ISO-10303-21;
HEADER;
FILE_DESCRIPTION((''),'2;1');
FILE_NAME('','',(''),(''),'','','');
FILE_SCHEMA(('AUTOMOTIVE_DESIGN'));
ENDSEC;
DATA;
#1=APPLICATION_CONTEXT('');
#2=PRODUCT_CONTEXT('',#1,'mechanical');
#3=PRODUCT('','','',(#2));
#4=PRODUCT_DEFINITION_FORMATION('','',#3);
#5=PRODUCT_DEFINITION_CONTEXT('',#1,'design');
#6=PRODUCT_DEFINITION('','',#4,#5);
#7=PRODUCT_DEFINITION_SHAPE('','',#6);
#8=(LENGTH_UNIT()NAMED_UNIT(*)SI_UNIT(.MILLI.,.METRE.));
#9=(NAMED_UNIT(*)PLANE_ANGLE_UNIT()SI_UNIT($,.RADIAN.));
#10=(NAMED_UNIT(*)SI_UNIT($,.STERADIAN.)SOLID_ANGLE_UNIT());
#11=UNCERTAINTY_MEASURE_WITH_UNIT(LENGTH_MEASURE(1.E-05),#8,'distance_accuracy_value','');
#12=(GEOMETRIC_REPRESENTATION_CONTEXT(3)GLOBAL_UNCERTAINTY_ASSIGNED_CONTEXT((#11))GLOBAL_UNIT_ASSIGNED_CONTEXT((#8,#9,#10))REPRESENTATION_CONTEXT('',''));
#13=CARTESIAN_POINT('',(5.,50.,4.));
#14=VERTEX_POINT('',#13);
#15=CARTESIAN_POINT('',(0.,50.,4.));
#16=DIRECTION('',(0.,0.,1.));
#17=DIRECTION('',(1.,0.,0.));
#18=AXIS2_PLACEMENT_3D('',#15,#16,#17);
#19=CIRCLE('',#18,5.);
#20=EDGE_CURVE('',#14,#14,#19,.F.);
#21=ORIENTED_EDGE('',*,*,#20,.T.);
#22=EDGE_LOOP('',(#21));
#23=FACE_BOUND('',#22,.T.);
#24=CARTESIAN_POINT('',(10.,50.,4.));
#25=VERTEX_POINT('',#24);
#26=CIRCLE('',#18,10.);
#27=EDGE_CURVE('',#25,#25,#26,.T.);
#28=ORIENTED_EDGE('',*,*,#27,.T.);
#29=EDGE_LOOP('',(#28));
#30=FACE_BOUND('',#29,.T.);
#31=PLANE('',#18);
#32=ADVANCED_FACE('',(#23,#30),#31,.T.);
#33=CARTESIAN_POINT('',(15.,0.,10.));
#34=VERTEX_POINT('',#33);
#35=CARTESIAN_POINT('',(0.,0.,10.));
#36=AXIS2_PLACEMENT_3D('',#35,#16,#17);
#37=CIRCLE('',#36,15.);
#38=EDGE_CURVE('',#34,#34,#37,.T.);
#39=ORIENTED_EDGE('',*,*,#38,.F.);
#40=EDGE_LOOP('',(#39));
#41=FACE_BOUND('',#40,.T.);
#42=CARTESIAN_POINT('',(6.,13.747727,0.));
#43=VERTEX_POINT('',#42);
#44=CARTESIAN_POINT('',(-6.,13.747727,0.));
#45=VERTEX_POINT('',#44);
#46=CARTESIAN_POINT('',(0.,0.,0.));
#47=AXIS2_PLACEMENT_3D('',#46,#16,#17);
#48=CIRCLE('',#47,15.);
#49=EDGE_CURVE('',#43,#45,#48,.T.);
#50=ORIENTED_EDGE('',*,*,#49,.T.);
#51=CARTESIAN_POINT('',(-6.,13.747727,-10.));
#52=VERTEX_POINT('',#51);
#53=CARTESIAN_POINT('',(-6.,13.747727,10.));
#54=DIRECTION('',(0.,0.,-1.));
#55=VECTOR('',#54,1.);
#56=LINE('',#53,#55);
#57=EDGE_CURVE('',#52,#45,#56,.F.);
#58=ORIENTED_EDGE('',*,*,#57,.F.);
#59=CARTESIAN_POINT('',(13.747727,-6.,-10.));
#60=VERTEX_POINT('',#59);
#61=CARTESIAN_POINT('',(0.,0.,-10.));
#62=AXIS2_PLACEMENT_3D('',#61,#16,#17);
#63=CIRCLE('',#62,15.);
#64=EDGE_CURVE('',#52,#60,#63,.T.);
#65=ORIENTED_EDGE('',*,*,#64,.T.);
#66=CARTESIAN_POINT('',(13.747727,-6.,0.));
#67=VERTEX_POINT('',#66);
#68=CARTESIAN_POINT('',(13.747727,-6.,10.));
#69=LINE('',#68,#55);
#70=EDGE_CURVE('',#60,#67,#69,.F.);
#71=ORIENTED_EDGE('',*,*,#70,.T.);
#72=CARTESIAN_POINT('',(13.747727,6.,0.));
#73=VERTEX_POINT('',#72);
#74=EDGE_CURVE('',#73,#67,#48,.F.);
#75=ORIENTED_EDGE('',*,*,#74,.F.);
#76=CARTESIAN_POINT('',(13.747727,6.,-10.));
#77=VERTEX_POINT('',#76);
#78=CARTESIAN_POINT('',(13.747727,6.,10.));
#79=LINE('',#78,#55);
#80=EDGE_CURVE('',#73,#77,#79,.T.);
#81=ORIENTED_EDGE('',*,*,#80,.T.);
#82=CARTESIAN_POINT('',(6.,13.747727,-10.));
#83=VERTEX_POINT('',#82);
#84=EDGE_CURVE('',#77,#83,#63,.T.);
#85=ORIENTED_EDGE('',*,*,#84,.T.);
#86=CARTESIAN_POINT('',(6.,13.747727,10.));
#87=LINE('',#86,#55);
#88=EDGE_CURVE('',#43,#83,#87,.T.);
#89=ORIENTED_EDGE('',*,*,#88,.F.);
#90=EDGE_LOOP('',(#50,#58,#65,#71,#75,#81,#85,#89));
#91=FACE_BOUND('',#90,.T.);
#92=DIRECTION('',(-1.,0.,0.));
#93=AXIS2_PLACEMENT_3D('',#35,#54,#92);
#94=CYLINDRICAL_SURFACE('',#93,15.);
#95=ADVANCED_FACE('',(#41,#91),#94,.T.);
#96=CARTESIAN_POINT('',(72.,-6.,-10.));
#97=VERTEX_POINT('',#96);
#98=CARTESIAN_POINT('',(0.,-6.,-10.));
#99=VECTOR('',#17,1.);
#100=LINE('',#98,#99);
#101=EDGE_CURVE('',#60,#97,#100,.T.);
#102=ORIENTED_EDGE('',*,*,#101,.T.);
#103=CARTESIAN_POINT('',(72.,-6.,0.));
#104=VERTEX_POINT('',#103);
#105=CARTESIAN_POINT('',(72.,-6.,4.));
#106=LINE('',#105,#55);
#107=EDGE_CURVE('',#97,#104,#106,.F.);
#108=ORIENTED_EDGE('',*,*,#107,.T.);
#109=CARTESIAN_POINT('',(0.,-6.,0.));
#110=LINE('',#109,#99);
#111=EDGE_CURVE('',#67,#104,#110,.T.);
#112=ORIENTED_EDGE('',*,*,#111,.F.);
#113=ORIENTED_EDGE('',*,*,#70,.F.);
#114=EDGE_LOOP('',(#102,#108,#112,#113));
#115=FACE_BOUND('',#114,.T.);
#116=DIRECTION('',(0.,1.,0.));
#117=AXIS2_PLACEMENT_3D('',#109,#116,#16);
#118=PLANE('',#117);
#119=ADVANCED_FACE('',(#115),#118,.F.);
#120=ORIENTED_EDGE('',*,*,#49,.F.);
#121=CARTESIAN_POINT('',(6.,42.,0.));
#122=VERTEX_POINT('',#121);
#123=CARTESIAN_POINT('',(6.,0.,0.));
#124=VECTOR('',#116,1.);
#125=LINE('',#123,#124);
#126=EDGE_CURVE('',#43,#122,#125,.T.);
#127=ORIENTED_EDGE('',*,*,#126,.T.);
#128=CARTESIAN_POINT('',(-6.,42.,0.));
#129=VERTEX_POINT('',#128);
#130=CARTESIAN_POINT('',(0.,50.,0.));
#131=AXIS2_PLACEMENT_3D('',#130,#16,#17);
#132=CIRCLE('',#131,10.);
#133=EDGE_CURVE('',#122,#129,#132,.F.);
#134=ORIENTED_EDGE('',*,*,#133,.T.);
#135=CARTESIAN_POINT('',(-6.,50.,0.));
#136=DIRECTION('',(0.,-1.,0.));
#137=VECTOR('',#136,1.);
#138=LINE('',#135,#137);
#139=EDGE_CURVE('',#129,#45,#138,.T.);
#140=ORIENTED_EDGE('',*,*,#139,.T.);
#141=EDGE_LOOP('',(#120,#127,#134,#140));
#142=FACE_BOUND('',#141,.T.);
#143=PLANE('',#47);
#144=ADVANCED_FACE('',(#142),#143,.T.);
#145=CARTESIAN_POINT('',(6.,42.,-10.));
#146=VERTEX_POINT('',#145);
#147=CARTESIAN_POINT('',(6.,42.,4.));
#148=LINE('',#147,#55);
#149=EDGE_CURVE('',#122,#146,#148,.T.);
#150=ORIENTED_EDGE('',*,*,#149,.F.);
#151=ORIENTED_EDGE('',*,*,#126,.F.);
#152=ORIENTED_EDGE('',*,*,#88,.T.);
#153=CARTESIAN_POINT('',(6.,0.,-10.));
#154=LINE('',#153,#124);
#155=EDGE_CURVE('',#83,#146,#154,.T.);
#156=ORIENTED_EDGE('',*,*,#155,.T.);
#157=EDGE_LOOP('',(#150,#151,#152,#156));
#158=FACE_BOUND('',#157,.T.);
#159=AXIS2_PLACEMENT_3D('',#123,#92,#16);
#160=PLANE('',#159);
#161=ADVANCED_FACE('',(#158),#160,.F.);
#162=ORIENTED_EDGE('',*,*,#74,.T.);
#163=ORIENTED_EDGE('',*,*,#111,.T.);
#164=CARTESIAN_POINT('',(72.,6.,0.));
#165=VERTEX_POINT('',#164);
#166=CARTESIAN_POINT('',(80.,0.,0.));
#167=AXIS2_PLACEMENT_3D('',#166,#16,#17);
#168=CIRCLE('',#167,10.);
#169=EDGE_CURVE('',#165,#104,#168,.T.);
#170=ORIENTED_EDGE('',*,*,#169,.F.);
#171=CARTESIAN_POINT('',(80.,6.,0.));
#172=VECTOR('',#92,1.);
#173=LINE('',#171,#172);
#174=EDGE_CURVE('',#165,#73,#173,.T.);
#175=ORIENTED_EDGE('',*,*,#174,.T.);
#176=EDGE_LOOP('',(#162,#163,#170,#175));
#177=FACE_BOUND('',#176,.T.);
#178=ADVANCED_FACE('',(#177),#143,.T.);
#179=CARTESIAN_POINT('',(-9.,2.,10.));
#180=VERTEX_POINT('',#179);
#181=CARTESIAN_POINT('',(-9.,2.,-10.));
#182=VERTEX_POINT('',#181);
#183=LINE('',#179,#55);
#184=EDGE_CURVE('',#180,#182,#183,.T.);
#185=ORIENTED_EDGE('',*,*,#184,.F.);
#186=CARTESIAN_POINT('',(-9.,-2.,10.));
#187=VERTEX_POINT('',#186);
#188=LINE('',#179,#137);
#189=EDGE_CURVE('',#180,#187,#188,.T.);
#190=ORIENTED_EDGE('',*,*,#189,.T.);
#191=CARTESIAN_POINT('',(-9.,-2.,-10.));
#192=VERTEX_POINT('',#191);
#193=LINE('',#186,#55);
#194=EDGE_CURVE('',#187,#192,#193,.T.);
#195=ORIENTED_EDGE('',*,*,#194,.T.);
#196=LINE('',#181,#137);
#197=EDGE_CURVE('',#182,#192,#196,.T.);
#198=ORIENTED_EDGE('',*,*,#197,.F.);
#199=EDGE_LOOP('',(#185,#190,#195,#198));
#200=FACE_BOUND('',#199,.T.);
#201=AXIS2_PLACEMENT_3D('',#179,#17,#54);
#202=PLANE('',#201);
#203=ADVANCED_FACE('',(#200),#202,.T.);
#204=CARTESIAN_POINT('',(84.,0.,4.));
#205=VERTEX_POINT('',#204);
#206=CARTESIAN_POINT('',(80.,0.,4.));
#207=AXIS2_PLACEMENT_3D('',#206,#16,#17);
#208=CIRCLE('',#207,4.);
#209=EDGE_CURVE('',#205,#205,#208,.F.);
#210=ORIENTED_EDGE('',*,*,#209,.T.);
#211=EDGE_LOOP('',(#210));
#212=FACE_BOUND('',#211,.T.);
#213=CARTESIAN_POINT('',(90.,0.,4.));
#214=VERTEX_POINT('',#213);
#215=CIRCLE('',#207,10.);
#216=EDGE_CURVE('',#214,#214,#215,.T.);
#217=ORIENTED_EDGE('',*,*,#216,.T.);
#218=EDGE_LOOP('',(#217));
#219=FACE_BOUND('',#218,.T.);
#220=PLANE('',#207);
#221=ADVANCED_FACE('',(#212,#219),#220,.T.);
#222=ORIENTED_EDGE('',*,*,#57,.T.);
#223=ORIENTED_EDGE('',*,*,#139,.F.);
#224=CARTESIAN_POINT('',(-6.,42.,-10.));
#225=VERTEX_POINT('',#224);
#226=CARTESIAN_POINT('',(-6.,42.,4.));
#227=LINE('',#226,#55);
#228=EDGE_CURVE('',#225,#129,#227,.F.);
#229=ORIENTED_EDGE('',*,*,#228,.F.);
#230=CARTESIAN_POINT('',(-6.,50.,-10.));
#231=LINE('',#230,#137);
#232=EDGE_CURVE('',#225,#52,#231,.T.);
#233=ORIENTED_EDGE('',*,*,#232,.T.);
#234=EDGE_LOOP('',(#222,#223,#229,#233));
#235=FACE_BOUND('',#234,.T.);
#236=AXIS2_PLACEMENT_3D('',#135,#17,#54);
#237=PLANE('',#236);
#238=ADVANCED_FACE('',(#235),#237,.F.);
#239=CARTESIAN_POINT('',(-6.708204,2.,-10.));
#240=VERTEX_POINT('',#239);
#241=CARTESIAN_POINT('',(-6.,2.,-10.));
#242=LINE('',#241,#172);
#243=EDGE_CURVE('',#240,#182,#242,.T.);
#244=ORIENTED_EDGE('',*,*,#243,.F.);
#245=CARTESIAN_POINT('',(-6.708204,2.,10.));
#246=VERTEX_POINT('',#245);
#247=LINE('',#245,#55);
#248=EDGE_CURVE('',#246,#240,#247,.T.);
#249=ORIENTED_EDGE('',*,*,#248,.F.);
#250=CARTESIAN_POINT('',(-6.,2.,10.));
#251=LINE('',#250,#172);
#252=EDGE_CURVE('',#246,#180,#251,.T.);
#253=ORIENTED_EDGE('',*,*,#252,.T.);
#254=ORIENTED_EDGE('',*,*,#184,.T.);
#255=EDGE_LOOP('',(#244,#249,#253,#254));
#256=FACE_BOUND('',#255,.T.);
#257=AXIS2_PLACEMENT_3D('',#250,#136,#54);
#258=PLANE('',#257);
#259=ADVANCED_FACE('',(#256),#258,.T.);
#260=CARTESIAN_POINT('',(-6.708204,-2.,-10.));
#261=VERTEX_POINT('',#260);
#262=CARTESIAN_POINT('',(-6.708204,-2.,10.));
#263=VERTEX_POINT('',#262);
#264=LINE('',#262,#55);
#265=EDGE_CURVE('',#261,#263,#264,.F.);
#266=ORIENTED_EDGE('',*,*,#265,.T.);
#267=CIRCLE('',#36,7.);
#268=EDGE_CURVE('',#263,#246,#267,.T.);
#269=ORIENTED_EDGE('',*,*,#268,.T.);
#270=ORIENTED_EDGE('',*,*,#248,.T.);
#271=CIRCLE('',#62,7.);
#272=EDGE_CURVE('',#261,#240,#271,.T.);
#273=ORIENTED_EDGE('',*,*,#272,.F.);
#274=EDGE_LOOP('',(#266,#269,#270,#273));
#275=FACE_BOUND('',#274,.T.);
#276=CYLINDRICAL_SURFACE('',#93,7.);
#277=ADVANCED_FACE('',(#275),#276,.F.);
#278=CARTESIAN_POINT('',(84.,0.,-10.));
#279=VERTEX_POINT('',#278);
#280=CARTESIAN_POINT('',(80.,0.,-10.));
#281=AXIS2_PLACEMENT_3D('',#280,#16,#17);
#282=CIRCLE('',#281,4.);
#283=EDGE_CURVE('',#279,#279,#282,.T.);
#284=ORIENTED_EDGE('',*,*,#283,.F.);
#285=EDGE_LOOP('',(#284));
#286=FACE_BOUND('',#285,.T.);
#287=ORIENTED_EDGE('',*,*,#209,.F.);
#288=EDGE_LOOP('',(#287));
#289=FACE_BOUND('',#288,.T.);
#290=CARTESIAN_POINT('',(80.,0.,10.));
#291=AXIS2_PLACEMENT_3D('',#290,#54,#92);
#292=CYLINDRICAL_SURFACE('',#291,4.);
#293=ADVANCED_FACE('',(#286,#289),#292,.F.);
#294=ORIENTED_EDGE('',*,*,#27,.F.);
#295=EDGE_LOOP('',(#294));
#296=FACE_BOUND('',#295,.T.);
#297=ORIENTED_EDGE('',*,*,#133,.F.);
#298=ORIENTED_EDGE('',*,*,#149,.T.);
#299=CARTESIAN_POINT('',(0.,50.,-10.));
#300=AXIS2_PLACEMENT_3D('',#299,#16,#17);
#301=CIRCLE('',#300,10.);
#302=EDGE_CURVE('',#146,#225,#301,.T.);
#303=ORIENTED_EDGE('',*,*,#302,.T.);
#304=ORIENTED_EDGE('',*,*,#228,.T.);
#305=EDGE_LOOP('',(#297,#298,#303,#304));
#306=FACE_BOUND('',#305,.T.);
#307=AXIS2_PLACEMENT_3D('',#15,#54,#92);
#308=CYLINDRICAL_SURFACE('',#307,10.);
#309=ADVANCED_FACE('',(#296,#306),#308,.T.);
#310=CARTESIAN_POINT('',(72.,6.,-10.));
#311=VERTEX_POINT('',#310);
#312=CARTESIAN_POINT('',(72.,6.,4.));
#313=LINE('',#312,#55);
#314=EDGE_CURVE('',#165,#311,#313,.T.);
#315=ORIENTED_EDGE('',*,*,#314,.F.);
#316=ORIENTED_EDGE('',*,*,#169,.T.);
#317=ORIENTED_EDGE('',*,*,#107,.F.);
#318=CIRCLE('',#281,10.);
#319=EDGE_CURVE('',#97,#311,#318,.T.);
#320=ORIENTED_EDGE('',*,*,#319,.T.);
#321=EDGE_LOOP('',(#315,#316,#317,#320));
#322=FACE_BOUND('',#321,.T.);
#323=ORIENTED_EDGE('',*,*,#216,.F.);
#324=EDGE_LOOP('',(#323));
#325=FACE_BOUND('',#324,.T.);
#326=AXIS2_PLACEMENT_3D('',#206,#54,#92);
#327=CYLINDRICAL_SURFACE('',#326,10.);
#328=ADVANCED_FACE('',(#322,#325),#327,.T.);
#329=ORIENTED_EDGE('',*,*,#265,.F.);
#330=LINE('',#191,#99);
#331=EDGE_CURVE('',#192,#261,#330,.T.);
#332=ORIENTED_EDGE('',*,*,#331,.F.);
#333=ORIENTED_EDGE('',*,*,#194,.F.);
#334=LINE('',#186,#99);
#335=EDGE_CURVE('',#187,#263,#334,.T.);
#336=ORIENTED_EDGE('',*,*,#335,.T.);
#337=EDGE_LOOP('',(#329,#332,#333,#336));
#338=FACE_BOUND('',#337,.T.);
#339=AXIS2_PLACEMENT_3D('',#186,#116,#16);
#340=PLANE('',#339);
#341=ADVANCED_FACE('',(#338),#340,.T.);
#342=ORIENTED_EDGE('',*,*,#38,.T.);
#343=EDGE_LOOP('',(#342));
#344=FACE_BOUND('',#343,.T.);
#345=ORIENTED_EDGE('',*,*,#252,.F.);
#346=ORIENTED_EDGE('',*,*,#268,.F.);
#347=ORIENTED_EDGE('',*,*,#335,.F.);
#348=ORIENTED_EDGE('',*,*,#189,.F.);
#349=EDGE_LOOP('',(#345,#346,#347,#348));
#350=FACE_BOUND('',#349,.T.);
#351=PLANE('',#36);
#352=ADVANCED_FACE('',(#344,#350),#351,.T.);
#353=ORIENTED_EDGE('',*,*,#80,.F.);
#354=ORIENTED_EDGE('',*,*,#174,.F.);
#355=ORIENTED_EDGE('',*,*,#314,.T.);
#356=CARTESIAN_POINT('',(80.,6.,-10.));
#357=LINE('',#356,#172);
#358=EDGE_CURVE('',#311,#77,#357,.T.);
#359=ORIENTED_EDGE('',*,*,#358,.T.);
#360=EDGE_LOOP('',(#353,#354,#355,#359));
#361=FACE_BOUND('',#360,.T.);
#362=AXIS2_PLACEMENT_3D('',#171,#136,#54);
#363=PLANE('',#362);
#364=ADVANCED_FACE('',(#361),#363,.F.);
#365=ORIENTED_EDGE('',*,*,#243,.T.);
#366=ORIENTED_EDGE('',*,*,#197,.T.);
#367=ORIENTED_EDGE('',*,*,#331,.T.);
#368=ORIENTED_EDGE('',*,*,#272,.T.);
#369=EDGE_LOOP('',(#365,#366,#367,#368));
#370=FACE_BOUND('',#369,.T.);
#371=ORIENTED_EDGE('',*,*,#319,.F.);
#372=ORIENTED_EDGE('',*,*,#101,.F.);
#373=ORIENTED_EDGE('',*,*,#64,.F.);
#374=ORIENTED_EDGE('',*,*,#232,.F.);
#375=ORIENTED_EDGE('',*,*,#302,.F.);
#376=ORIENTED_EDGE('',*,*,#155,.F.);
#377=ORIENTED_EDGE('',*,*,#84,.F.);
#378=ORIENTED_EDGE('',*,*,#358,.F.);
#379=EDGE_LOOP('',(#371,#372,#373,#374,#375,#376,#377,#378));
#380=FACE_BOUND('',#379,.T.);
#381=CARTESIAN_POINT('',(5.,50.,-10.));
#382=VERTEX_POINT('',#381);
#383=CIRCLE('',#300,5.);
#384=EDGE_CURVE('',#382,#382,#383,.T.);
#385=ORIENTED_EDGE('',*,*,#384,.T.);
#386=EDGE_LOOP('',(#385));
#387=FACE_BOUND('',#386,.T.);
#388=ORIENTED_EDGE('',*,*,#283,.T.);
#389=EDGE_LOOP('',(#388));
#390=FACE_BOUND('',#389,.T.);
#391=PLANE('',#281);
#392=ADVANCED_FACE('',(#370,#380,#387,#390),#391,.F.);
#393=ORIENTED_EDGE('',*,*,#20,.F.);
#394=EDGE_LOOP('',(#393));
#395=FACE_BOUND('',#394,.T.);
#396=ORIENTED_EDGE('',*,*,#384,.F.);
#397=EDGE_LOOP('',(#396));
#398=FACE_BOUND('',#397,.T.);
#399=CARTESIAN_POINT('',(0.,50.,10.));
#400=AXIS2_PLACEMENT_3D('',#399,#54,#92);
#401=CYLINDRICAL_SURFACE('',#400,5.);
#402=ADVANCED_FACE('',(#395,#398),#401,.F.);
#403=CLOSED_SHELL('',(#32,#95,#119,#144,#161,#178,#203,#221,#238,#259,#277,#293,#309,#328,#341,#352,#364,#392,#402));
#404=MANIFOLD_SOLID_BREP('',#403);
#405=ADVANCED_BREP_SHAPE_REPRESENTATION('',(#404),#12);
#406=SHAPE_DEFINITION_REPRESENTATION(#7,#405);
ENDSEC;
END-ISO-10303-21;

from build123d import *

# Parameters (mm, degrees)
SKETCH_1_R          = 15
EXTRUDE_1_DEPTH     = 20
SKETCH_10_R         = 10
EXTRUDE_10_DEPTH    = 14
SKETCH_11_R         = 10
EXTRUDE_11_DEPTH    = 14
SKETCH_12_W         = 12
SKETCH_12_H         = 50
EXTRUDE_12_DEPTH    = 10
SKETCH_13_W         = 80
SKETCH_13_H         = 12
EXTRUDE_13_DEPTH    = 10
SKETCH_14_R         = 5
CUT_EXTRUDE_1_DEPTH = 111
SKETCH_15_R         = 4
CUT_EXTRUDE_2_DEPTH = 111
SKETCH_16_R         = 7
CUT_EXTRUDE_3_DEPTH = 111
SKETCH_17_W         = 3
SKETCH_17_H         = 4
CUT_EXTRUDE_4_DEPTH = 111


with BuildPart() as part:
    # 草图1 → 凸台-拉伸1 (new body)
    with BuildSketch(Plane.XY.offset(-10)):
        Circle(SKETCH_1_R)
    extrude(amount=EXTRUDE_1_DEPTH)



with BuildPart() as body_2:
    # 草图10 → 凸台-拉伸10 (new body)
    with BuildSketch(Plane.XY.offset(-10)):
        with Locations((0, 50)):
            Circle(SKETCH_10_R)
    extrude(amount=EXTRUDE_10_DEPTH)


with BuildPart() as body_3:
    # 草图11 → 凸台-拉伸11 (new body)
    with BuildSketch(Plane.XY.offset(-10)):
        with Locations((80, 0)):
            Circle(SKETCH_11_R)
    extrude(amount=EXTRUDE_11_DEPTH)


with BuildPart() as part_1:
    add(part.part)

    add(body_2.part)  # 凸台-拉伸12 merges body 2
    # 草图12 → 凸台-拉伸12 (add)
    with BuildSketch(Plane.XY.offset(-10)):
        with Locations((0, 25)):
            Rectangle(SKETCH_12_W, SKETCH_12_H)
    extrude(amount=EXTRUDE_12_DEPTH)


    add(body_3.part)  # 凸台-拉伸13 merges body 3
    # 草图13 → 凸台-拉伸13 (add)
    with BuildSketch(Plane.XY.offset(-10)):
        with Locations((40, 0)):
            Rectangle(SKETCH_13_W, SKETCH_13_H)
    extrude(amount=EXTRUDE_13_DEPTH)

    # 草图14 → 切除-拉伸1 (cut, through all)
    with BuildSketch(Plane.XY.offset(-10)):
        with Locations((0, 50)):
            Circle(SKETCH_14_R)
    extrude(amount=CUT_EXTRUDE_1_DEPTH, mode=Mode.SUBTRACT)

    # 草图15 → 切除-拉伸2 (cut, through all)
    with BuildSketch(Plane.XY.offset(-10)):
        with Locations((80, 0)):
            Circle(SKETCH_15_R)
    extrude(amount=CUT_EXTRUDE_2_DEPTH, mode=Mode.SUBTRACT)

    # 草图16 → 切除-拉伸3 (cut, through all)
    with BuildSketch(Plane.XY.offset(-10)):
        Circle(SKETCH_16_R)
    extrude(amount=CUT_EXTRUDE_3_DEPTH, mode=Mode.SUBTRACT)

    # 草图17 → 切除-拉伸4 (cut, through all)
    with BuildSketch(Plane.XY.offset(-10)):
        with Locations((-7.5, 0)):
            Rectangle(SKETCH_17_W, SKETCH_17_H)
    extrude(amount=CUT_EXTRUDE_4_DEPTH, mode=Mode.SUBTRACT)


solid = part_1.part
